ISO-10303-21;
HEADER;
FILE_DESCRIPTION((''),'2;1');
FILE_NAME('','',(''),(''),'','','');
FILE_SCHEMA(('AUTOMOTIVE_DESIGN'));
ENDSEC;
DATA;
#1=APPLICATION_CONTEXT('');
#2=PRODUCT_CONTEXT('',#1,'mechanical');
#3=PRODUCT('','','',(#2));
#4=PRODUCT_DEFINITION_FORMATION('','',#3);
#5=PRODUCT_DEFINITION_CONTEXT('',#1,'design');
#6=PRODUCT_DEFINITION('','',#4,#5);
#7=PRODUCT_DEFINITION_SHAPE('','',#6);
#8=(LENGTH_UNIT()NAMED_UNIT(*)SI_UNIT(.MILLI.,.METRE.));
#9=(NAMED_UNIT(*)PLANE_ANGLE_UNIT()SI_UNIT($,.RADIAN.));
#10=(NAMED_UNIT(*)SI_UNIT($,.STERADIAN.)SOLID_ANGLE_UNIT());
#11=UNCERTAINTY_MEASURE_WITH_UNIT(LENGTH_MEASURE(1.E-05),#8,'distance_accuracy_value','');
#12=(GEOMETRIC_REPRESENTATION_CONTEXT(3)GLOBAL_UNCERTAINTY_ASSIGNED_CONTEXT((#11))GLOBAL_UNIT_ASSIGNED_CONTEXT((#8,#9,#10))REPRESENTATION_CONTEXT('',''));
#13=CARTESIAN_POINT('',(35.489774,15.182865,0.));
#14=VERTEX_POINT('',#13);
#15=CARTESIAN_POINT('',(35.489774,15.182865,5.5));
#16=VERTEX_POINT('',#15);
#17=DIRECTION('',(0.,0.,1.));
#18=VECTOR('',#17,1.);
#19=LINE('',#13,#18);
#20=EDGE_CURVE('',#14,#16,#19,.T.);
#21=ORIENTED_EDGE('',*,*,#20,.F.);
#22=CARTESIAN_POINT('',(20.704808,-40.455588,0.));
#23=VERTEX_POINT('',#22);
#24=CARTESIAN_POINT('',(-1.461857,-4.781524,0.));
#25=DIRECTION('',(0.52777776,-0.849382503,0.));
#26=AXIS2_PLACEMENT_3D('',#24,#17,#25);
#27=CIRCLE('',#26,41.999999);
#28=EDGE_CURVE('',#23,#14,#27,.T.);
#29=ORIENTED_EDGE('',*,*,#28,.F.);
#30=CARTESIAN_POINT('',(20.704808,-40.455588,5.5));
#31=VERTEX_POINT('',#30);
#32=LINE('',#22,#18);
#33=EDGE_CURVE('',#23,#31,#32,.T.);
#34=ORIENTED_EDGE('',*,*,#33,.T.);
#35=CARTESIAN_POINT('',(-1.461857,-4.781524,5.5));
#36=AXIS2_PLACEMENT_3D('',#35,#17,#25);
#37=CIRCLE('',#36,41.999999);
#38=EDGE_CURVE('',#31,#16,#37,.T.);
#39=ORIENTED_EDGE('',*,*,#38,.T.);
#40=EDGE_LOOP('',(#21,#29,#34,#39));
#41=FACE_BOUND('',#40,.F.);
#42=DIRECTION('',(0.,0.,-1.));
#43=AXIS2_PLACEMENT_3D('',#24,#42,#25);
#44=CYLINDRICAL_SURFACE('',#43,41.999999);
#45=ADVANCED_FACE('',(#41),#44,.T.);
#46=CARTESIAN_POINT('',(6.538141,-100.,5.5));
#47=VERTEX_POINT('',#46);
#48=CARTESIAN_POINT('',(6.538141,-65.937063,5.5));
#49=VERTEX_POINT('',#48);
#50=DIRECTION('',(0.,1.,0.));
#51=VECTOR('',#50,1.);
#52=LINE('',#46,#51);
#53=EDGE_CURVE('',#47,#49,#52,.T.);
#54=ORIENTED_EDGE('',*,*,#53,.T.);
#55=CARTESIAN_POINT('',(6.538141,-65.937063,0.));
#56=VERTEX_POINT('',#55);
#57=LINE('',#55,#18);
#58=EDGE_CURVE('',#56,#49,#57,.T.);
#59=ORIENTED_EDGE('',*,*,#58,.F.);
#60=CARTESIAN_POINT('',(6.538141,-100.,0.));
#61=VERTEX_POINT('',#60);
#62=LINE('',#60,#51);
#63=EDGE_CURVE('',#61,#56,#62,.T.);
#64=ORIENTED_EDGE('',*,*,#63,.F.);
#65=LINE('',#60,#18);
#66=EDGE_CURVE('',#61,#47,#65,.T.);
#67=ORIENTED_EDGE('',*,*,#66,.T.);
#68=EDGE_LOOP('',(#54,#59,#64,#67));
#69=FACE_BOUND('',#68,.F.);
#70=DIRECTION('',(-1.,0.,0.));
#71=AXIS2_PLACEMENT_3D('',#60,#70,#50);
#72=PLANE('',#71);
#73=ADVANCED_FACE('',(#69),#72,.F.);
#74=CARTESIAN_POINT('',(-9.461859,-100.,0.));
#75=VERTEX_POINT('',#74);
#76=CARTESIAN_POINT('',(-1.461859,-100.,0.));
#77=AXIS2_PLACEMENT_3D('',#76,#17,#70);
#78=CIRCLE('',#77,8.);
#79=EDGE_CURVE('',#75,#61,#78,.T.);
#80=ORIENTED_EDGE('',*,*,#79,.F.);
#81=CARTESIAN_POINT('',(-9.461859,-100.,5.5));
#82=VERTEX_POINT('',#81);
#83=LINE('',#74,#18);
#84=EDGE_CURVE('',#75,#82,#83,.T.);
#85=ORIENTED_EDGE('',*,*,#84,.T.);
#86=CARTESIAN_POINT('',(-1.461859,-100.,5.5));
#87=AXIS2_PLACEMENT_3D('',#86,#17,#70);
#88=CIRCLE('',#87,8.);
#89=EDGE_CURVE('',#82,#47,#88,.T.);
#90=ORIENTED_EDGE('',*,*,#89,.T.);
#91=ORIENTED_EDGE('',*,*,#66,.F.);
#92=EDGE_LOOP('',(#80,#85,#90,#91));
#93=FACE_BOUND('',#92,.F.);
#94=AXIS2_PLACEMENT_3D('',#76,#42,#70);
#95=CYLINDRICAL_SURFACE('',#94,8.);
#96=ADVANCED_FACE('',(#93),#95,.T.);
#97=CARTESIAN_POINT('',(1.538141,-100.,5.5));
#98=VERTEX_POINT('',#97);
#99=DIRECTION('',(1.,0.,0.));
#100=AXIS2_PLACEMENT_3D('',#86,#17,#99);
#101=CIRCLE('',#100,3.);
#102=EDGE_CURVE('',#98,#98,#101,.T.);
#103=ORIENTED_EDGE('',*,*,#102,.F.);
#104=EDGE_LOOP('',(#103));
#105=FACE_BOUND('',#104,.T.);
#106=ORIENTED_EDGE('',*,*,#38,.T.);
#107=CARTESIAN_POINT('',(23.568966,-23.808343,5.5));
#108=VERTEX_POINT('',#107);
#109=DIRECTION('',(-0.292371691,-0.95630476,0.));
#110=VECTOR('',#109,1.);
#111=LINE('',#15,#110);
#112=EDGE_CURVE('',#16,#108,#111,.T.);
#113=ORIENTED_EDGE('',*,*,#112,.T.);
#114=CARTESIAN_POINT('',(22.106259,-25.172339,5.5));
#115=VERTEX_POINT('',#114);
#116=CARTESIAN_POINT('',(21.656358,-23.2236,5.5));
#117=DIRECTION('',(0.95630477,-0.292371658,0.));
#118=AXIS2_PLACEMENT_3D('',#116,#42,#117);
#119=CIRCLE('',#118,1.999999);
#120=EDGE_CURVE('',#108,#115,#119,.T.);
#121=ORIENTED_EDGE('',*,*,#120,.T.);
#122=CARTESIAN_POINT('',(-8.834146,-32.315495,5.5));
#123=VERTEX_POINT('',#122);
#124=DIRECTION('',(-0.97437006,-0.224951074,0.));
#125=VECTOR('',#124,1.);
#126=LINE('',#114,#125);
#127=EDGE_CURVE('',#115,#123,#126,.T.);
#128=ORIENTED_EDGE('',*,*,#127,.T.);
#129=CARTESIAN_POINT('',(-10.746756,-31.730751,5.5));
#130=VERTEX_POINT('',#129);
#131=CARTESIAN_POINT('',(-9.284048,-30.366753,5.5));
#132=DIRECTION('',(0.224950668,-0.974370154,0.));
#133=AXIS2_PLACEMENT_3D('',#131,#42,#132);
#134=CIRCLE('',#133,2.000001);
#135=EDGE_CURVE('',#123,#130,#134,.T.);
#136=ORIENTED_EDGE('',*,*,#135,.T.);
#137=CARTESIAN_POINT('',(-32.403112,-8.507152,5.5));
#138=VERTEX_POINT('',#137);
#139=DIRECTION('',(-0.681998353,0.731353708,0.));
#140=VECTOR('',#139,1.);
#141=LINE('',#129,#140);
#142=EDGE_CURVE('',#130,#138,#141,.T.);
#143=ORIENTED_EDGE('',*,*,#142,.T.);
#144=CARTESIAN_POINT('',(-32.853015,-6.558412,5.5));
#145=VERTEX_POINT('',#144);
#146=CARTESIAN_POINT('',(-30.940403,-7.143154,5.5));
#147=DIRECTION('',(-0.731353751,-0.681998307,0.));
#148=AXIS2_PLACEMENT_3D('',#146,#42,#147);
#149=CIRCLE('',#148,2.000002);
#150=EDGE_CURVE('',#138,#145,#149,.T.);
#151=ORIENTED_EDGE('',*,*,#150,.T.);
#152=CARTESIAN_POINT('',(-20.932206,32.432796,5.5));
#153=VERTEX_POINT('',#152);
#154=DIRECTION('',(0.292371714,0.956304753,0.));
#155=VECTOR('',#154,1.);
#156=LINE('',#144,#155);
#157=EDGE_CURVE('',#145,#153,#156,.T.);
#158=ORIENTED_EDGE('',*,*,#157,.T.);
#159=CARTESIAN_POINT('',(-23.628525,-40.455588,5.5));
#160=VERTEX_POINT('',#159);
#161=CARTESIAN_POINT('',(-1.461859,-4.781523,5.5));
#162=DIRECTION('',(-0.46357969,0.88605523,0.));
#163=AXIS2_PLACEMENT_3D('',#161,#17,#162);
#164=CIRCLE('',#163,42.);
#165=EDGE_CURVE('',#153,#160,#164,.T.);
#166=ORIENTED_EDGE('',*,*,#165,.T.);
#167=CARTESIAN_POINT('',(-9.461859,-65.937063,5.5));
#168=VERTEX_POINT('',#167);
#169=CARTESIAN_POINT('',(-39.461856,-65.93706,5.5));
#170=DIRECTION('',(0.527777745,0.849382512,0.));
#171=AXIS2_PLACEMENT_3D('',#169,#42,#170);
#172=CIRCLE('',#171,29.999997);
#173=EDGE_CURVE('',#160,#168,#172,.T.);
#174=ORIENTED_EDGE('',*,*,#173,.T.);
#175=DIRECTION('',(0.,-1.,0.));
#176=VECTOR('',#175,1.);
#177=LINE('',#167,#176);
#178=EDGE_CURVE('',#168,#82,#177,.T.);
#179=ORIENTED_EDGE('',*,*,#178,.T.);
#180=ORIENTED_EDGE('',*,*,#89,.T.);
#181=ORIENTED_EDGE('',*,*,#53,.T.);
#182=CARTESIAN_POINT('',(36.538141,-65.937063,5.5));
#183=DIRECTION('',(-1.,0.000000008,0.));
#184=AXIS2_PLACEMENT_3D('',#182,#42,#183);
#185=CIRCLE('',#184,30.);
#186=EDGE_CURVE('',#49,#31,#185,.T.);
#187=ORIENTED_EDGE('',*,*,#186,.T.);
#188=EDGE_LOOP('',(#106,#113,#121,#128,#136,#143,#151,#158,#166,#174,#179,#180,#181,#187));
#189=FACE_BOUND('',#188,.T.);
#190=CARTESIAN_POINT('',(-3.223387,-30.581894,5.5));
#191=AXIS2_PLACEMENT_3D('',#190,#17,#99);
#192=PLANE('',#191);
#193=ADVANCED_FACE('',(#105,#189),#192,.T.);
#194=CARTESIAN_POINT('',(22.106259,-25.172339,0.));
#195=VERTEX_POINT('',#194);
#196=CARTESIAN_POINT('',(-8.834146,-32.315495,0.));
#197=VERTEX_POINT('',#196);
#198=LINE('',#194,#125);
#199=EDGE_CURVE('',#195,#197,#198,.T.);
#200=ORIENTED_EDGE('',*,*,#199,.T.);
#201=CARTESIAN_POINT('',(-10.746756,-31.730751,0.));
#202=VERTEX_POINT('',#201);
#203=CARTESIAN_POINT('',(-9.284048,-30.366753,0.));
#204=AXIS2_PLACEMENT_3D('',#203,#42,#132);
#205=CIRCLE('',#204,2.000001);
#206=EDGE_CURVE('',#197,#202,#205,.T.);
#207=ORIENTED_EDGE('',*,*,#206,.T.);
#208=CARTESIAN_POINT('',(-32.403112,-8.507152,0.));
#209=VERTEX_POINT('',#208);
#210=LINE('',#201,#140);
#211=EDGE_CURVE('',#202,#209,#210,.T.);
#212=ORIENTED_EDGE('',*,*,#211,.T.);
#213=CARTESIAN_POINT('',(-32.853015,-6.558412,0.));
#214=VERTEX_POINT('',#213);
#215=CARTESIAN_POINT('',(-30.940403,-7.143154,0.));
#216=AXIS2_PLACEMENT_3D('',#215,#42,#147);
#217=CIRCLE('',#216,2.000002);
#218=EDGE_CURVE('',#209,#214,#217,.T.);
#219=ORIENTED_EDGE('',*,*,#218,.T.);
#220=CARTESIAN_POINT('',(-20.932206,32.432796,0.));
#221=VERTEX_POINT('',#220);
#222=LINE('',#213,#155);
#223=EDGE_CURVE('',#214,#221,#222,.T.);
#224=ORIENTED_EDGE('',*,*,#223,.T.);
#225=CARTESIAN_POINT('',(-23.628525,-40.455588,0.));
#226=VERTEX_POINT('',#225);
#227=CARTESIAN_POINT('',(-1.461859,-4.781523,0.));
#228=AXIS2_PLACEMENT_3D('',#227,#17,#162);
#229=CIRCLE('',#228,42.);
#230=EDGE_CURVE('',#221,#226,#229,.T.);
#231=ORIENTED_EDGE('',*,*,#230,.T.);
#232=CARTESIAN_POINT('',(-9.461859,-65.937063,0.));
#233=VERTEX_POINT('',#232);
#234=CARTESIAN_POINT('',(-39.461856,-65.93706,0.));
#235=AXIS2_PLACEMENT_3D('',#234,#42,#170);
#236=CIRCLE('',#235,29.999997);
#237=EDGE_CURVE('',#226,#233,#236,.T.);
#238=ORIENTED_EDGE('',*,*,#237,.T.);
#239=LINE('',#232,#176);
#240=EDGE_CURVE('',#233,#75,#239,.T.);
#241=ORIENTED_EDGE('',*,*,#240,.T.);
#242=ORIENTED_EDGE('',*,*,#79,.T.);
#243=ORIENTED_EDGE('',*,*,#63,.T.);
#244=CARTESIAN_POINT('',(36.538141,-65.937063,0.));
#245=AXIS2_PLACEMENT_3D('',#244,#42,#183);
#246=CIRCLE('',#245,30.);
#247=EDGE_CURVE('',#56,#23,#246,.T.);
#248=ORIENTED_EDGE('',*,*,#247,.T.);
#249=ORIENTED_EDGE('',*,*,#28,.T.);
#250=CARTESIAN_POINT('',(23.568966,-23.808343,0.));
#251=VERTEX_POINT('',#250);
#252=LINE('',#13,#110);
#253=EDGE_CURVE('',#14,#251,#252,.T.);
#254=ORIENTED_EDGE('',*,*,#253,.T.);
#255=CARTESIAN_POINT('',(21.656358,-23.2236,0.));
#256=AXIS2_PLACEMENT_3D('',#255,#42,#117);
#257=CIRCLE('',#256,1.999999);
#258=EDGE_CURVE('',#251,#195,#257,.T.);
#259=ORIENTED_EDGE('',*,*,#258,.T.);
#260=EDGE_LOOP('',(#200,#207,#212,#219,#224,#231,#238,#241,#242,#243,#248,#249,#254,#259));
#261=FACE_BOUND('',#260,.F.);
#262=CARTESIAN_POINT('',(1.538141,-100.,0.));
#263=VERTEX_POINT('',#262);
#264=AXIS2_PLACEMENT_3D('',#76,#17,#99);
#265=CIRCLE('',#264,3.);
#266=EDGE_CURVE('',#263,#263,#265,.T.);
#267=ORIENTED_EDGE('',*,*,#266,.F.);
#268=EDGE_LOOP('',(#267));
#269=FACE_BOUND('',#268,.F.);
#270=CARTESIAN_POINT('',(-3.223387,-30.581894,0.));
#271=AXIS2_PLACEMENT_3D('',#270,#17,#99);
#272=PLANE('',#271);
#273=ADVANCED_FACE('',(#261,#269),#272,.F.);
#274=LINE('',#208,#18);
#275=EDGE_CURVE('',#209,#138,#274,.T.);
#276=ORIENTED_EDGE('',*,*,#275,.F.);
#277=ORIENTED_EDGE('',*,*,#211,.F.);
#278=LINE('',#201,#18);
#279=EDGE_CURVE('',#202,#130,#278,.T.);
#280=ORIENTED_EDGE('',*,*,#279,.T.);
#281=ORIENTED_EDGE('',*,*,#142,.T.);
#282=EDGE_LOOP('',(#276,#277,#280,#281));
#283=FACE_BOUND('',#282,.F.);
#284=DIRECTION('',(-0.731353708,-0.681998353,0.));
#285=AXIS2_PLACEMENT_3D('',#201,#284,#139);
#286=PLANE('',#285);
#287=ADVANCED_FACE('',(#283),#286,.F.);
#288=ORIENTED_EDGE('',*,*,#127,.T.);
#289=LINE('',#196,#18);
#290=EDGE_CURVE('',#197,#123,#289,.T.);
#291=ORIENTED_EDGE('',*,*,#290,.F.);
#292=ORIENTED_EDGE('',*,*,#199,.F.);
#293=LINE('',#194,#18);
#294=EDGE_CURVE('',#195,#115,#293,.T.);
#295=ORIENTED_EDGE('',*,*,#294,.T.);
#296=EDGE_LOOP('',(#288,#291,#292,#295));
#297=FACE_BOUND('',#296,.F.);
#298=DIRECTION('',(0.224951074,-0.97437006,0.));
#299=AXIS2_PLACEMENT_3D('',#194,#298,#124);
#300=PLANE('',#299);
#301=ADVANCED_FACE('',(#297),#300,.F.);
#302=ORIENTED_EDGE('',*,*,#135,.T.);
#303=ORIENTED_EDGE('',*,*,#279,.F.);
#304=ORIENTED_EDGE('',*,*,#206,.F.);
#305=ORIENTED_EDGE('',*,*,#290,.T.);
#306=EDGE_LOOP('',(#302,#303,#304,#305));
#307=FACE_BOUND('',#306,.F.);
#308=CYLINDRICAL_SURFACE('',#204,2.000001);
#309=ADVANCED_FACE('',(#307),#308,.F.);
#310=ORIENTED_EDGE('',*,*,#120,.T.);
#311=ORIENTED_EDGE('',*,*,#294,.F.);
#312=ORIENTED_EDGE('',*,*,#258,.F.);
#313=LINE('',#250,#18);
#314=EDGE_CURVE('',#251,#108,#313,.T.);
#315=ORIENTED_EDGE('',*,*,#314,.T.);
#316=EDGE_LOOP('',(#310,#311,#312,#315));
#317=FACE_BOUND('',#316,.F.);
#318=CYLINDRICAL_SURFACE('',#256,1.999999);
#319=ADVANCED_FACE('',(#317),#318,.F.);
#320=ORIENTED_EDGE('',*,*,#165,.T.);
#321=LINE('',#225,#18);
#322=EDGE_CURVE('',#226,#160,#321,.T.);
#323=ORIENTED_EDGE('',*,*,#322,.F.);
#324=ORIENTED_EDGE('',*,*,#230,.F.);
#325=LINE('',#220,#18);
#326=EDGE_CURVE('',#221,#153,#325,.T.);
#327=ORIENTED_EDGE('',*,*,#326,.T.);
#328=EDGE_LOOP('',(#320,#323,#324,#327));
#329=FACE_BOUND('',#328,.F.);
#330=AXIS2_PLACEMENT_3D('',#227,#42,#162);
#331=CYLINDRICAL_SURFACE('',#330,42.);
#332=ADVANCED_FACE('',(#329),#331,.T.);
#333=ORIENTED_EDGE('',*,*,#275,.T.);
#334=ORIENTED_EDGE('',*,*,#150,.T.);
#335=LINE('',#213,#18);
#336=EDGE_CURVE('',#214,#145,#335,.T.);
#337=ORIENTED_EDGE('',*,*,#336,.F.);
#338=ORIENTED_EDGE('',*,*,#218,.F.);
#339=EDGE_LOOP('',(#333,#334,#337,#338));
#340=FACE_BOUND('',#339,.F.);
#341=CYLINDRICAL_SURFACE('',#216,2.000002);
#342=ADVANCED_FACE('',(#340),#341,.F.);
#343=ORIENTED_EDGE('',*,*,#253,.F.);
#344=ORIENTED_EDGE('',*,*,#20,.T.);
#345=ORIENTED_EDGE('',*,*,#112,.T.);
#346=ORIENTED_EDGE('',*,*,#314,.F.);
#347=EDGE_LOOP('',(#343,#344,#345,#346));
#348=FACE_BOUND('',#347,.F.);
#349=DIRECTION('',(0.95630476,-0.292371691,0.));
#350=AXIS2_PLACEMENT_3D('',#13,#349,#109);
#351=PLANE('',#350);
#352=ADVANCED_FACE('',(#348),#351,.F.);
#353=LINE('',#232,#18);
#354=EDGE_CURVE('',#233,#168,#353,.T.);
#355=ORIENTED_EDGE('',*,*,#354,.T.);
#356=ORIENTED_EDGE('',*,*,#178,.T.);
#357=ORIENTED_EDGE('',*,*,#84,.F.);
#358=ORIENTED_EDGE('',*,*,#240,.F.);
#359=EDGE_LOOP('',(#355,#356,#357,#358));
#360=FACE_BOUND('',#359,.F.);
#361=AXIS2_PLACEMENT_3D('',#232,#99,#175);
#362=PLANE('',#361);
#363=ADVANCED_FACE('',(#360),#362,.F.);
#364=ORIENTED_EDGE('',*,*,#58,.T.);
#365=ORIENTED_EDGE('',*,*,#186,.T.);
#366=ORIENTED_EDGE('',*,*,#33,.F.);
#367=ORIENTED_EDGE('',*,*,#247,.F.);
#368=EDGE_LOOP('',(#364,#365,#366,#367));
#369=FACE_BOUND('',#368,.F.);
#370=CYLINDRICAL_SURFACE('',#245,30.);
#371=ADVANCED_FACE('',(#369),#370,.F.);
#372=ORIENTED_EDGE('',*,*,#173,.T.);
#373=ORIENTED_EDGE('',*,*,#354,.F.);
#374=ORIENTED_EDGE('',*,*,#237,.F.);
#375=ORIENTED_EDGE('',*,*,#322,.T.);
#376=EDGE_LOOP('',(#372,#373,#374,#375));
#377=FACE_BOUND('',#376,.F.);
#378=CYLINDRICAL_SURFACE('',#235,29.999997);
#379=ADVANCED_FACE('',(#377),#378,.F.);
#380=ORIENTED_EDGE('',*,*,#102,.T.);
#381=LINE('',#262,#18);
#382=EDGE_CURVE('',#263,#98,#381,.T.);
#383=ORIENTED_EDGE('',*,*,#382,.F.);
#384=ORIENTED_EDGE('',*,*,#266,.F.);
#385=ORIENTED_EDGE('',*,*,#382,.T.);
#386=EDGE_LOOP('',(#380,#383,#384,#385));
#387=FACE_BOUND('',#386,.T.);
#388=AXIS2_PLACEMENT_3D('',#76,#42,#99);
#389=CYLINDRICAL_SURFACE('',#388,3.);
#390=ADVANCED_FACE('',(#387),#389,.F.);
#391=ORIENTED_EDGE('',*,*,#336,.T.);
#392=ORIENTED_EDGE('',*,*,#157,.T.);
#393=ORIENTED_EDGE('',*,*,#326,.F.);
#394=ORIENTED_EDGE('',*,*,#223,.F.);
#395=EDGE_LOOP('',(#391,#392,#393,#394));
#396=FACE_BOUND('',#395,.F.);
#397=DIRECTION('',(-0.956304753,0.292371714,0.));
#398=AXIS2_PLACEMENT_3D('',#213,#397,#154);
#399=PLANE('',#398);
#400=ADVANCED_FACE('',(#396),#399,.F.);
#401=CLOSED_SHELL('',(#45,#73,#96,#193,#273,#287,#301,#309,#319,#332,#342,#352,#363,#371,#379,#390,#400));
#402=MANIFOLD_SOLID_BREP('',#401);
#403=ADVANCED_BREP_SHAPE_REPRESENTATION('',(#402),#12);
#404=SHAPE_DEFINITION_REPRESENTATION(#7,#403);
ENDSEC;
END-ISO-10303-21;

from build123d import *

# Parameters (mm, degrees)
F0_R     = 3
F1_DEPTH = 5.5


with BuildPart() as f1:
    # F0 (on Top) → F1 (new body)
    with BuildSketch(Plane.XY):
        with BuildLine():
            ThreePointArc((20.704808, -40.455588), (39.12943, -15.567964), (35.489774, 15.182865))
            Line((35.489774, 15.182865), (23.568966, -23.808343))
            ThreePointArc((23.568966, -23.808343), (23.020353, -24.686307), (22.106259, -25.172339))
            Line((22.106259, -25.172339), (-8.834146, -32.315495))
            ThreePointArc((-8.834146, -32.315495), (-9.868792, -32.279364), (-10.746756, -31.730751))
            Line((-10.746756, -31.730751), (-32.403112, -8.507152))
            ThreePointArc((-32.403112, -8.507152), (-32.889145, -7.593057), (-32.853015, -6.558412))
            Line((-32.853015, -6.558412), (-20.932206, 32.432796))
            ThreePointArc((-20.932206, 32.432796), (-43.433151, -3.228903), (-23.628525, -40.455588))
            ThreePointArc((-23.628525, -40.455588), (-13.241637, -51.359683), (-9.461859, -65.937063))
            Line((-9.461859, -65.937063), (-9.461859, -100))
            ThreePointArc((-9.461859, -100), (-1.461859, -108), (6.538141, -100))
            Line((6.538141, -100), (6.538141, -65.937063))
            ThreePointArc((6.538141, -65.937063), (10.31792, -51.359683), (20.704808, -40.455588))
        make_face()
        with Locations((-1.461859, -100)):
            Circle(F0_R, mode=Mode.SUBTRACT)
    extrude(amount=F1_DEPTH)


solid = f1.part
